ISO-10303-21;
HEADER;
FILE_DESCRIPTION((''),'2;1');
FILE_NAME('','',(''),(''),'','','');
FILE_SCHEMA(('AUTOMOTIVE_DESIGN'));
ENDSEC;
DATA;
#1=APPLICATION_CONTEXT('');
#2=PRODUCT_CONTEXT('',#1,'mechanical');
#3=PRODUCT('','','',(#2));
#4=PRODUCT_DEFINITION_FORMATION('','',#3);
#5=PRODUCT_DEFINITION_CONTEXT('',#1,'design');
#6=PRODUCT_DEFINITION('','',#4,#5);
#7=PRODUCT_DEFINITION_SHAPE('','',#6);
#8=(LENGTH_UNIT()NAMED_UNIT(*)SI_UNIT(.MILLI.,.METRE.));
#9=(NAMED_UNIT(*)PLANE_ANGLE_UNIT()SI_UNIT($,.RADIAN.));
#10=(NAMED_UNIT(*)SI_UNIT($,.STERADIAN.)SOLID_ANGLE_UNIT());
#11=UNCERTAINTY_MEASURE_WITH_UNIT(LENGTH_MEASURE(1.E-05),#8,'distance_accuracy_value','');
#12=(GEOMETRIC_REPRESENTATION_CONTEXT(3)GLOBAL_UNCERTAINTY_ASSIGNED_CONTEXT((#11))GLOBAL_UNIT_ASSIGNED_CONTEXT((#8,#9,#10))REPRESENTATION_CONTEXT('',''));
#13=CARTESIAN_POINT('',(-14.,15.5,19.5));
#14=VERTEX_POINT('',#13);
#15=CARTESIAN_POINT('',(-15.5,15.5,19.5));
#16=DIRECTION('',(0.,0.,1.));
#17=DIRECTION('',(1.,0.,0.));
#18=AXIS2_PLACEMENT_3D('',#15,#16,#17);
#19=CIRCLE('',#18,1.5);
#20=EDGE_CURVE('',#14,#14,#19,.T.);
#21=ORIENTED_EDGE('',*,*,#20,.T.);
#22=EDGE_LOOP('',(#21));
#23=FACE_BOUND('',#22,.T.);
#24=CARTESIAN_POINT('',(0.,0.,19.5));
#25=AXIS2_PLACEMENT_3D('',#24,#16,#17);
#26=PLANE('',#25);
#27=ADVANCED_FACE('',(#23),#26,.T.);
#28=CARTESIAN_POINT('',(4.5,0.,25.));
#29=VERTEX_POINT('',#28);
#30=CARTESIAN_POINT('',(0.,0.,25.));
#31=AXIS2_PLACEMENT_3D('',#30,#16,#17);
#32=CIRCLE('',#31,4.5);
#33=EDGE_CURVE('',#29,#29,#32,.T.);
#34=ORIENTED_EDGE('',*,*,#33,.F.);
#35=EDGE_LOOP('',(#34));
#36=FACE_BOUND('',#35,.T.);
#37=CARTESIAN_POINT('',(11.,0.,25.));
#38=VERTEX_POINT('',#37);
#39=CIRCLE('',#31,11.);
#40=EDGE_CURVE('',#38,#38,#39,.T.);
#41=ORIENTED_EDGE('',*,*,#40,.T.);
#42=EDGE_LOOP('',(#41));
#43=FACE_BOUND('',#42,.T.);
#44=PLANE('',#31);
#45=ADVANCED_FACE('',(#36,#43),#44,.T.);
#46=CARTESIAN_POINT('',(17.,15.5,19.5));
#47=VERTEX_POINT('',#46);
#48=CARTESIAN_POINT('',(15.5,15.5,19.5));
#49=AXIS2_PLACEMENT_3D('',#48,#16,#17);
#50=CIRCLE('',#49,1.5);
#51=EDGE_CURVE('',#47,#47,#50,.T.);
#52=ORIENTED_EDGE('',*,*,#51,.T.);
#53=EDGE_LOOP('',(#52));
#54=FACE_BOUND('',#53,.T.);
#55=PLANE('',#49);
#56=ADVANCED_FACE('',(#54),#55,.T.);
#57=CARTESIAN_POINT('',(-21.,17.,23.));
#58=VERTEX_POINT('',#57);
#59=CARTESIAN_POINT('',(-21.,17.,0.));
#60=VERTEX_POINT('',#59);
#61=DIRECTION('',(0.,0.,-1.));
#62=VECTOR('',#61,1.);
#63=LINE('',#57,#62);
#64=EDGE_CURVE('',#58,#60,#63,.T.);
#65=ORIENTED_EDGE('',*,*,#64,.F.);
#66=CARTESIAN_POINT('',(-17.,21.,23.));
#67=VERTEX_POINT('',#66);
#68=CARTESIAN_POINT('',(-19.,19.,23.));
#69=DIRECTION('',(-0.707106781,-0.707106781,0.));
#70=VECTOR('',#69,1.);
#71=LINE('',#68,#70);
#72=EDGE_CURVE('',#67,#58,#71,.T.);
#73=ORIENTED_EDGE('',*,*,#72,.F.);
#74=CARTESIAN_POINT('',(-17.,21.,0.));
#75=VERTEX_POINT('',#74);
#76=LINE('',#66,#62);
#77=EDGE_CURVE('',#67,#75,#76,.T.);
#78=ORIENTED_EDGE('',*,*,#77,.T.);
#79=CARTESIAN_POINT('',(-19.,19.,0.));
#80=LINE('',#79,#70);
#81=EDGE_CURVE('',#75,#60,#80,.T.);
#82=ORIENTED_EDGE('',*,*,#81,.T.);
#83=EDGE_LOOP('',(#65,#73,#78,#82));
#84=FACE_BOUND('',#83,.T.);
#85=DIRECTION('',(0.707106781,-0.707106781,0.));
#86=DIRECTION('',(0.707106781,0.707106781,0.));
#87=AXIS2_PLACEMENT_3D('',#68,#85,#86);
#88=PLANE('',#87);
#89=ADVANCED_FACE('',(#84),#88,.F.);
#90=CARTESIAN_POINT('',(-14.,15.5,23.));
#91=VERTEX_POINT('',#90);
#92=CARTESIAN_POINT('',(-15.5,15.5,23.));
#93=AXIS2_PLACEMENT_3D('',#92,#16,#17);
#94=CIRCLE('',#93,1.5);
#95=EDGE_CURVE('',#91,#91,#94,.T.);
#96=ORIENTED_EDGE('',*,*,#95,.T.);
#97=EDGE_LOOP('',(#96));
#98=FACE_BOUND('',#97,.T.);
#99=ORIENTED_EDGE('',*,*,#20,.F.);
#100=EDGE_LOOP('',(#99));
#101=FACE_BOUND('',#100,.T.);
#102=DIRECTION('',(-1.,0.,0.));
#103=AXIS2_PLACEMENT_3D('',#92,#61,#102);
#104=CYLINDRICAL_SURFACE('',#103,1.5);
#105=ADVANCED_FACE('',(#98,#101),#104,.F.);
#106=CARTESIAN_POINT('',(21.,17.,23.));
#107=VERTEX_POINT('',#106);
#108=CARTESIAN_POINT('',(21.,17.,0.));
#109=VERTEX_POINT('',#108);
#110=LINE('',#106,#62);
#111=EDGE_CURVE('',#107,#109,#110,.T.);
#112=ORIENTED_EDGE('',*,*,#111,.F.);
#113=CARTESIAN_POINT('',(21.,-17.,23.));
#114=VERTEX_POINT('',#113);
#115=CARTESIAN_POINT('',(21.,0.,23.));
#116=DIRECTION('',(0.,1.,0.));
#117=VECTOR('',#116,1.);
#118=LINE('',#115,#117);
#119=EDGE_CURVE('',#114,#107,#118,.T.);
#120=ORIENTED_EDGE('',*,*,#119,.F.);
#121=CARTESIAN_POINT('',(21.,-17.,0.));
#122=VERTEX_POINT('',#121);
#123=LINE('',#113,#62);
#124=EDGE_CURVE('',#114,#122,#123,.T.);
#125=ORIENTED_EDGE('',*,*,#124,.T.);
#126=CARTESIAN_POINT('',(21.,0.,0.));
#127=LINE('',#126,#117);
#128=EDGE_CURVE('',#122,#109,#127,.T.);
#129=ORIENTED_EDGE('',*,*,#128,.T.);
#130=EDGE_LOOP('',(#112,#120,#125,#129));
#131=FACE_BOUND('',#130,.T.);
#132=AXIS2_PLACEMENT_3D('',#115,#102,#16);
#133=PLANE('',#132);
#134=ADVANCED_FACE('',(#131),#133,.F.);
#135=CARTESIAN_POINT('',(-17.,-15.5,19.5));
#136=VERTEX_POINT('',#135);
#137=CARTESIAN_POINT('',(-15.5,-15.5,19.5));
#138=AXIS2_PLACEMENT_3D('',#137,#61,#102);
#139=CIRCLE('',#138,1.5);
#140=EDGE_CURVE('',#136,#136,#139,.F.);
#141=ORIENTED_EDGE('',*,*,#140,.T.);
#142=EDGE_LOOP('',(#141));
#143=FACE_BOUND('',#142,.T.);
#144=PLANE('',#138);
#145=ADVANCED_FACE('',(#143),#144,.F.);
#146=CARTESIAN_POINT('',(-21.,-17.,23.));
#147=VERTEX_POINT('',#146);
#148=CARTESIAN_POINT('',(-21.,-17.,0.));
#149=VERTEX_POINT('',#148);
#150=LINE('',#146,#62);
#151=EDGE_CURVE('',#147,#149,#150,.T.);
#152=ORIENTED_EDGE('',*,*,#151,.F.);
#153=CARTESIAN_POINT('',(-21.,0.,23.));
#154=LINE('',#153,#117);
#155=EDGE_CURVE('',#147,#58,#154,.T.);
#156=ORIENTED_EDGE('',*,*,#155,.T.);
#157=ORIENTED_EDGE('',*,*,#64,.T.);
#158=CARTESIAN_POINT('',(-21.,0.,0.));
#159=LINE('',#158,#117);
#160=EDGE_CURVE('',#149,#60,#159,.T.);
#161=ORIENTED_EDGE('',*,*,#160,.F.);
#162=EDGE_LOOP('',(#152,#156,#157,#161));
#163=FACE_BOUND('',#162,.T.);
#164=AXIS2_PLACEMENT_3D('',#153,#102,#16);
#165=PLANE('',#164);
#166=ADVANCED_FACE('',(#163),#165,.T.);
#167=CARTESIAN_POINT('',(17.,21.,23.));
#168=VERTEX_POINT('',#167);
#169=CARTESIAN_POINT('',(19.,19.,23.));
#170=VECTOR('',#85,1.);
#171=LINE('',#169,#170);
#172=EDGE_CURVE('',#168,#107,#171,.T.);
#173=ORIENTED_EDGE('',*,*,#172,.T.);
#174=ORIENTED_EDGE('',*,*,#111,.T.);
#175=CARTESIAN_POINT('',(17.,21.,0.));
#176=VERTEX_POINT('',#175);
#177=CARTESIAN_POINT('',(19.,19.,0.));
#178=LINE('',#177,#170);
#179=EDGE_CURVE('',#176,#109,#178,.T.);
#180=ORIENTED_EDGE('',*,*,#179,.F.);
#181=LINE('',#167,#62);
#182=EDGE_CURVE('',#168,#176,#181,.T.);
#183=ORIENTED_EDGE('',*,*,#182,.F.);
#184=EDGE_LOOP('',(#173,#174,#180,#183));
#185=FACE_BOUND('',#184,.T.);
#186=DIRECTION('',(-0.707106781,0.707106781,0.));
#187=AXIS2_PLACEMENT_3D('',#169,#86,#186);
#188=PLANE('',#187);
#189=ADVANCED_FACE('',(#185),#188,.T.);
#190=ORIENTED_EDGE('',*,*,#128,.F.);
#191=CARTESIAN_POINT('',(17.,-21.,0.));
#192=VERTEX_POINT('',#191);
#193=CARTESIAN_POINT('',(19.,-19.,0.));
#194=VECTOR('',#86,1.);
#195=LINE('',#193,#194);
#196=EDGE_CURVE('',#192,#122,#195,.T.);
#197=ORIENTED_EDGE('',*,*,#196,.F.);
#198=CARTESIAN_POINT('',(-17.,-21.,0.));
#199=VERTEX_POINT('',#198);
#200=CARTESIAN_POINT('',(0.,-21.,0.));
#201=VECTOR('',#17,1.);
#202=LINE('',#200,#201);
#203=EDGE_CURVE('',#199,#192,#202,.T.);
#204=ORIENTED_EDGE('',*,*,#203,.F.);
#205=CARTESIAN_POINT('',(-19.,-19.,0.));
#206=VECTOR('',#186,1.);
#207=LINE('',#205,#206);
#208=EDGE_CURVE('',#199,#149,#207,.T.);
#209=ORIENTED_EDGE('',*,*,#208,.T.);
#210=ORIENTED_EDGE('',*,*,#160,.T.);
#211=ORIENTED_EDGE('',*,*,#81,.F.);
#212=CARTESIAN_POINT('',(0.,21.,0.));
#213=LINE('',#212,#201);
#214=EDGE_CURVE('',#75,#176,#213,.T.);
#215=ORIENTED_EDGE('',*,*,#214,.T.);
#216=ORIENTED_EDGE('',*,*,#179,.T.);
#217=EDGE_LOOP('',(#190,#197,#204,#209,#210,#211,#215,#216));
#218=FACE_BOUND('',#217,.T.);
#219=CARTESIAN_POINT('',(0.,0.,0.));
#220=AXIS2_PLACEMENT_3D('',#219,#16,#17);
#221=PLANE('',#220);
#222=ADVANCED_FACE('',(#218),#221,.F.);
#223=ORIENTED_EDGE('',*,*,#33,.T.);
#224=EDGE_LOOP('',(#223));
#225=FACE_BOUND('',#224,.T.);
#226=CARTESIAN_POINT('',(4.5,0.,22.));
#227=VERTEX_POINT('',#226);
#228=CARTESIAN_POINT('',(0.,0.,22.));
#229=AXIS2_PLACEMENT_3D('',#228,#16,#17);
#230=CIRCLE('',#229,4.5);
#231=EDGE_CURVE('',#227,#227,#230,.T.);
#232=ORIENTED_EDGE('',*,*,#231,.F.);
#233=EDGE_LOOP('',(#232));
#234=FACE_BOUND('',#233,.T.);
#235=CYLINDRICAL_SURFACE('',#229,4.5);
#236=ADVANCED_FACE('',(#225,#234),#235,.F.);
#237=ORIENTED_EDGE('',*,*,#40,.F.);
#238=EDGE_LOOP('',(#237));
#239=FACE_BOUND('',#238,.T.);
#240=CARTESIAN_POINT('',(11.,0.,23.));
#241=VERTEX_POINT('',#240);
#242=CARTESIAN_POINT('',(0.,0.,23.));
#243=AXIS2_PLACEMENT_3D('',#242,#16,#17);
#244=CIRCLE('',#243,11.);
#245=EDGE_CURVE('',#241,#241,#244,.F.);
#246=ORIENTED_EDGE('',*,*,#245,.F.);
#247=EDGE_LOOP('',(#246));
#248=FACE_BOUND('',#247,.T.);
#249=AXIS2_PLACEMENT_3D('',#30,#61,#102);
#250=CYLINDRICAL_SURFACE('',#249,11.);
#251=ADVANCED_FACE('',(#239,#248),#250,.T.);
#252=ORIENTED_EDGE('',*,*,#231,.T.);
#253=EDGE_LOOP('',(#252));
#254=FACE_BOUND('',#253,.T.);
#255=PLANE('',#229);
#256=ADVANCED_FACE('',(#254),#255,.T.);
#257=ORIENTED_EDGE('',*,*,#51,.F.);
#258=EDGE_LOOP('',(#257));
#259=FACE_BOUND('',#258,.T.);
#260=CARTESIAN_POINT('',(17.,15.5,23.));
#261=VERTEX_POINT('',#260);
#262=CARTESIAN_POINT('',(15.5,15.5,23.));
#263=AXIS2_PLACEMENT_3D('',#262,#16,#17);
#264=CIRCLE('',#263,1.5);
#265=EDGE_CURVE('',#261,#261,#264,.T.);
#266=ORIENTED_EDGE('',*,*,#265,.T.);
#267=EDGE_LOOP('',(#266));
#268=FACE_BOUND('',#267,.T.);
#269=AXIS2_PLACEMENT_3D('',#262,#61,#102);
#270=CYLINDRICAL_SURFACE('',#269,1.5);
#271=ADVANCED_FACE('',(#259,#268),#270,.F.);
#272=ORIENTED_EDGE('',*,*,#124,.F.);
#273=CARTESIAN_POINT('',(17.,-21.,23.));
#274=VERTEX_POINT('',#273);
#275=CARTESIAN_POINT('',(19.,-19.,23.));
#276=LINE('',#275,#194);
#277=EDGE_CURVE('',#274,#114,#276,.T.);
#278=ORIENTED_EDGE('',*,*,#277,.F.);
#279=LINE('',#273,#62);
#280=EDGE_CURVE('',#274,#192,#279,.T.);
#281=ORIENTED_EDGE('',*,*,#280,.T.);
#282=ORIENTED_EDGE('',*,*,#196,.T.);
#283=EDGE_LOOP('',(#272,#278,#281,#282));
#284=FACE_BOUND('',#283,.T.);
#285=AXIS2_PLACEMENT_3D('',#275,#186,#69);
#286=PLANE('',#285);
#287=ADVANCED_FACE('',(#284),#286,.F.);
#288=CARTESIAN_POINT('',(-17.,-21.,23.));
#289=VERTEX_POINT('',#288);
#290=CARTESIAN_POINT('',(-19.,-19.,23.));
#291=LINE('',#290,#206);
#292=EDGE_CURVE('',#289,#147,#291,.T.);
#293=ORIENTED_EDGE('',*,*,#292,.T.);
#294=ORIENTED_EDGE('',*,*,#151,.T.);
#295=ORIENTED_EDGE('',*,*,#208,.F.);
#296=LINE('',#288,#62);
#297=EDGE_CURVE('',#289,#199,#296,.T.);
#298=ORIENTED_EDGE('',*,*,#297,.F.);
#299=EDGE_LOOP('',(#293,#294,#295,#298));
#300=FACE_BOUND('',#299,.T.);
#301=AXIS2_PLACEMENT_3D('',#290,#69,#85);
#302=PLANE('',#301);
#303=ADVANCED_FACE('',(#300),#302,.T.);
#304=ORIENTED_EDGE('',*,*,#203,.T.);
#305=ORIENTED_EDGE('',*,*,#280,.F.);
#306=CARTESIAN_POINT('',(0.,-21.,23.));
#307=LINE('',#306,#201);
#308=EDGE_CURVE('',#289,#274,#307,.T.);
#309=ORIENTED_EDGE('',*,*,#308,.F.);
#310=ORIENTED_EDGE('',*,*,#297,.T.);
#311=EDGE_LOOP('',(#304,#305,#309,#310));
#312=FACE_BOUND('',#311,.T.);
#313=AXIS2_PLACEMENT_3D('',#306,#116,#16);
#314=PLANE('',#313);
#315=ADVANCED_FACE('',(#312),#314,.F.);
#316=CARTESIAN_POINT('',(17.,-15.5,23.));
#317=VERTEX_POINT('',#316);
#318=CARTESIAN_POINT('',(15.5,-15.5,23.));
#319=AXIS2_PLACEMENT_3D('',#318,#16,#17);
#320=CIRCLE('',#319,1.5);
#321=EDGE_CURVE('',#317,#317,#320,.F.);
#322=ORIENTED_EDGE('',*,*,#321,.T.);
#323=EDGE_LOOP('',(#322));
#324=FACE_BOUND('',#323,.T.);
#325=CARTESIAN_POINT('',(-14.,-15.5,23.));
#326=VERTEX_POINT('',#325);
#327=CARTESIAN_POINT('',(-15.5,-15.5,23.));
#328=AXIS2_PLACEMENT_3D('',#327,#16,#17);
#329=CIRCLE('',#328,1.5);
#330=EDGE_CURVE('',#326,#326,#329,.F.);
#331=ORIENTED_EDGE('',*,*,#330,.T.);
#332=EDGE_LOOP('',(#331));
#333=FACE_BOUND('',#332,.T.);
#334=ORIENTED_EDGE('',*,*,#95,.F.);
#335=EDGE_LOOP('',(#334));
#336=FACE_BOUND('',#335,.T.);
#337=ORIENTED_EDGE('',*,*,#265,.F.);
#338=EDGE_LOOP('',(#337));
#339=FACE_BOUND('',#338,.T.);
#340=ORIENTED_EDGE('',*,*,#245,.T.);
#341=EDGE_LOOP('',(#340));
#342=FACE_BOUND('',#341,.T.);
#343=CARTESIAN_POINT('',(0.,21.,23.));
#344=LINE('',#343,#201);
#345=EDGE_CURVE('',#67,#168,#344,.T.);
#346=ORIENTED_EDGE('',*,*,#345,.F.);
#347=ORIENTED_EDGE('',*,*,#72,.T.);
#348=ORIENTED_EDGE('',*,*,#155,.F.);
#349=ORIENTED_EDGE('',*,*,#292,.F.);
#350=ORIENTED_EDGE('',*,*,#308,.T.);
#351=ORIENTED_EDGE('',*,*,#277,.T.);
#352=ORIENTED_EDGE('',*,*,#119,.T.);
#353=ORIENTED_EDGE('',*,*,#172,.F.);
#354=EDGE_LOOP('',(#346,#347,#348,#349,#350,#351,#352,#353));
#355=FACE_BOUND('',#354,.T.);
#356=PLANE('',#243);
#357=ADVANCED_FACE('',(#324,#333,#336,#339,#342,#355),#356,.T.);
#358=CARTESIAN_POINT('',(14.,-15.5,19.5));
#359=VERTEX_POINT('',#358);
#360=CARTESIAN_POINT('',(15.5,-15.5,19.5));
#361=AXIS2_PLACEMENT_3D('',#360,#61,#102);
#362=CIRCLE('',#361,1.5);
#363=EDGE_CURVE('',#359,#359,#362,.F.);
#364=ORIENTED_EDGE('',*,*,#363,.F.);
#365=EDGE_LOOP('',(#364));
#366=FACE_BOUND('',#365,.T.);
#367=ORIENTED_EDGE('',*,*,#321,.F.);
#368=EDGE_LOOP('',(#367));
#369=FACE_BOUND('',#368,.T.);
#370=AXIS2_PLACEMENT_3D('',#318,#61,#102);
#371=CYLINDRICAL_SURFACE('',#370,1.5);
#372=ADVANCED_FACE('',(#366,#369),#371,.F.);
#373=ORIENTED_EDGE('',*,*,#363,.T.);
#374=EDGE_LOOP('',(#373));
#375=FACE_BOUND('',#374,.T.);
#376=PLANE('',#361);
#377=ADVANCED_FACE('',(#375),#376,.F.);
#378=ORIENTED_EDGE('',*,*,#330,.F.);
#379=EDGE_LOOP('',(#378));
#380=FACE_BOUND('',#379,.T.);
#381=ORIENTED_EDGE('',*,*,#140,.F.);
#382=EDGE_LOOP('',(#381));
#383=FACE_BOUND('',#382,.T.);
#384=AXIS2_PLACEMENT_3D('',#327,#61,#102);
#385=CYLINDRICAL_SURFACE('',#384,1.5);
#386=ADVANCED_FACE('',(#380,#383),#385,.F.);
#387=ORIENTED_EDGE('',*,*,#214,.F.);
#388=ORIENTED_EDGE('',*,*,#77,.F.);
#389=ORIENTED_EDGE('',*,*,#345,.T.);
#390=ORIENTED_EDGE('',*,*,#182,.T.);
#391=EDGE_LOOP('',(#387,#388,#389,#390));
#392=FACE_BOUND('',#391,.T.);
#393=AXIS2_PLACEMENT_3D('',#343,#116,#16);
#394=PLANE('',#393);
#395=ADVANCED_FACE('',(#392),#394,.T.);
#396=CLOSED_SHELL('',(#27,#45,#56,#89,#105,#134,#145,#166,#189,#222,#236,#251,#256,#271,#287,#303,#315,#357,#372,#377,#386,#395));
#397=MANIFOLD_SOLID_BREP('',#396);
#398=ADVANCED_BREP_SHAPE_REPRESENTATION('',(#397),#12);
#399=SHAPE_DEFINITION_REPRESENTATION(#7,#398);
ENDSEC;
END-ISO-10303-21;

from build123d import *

# Parameters (mm, degrees)
SKETCH_1_R          = 1.5
EXTRUDE_1_DEPTH     = 23
SKETCH_1_3_R        = 1.5
EXTRUDE_2_DEPTH     = 19.5
SKETCH_1_6_R        = 11
EXTRUDE_4_DEPTH     = 25
SKETCH_2_R          = 4.5
CUT_EXTRUDE_1_DEPTH = 3


with BuildPart() as part:
    # 草图1 → 凸台-拉伸1 (new body)
    with BuildSketch(Plane.XY):
        Polygon((-21, -17), (-17, -21), (17, -21), (21, -17), (21, 17), (17, 21), (-17, 21), (-21, 17), align=None)
        with Locations((-15.5, -15.5)):
            Circle(SKETCH_1_R, mode=Mode.SUBTRACT)
        with Locations((15.5, -15.5)):
            Circle(SKETCH_1_R, mode=Mode.SUBTRACT)
        with Locations((-15.5, 15.5)):
            Circle(SKETCH_1_R, mode=Mode.SUBTRACT)
        with Locations((15.5, 15.5)):
            Circle(SKETCH_1_R, mode=Mode.SUBTRACT)
    extrude(amount=EXTRUDE_1_DEPTH)

    # 草图1<3> → 凸台-拉伸2 (add)
    with BuildSketch(Plane.XY):
        with Locations((-15.5, 15.5)):
            Circle(SKETCH_1_3_R)
        with Locations((15.5, 15.5)):
            Circle(SKETCH_1_3_R)
        with Locations((-15.5, -15.5)):
            Circle(SKETCH_1_3_R)
        with Locations((15.5, -15.5)):
            Circle(SKETCH_1_3_R)
    extrude(amount=EXTRUDE_2_DEPTH)

    # 草图1<6> → 凸台-拉伸4 (add)
    with BuildSketch(Plane.XY):
        Circle(SKETCH_1_6_R)
    extrude(amount=EXTRUDE_4_DEPTH)

    # 草图2 → 切除-拉伸1 (cut)
    with BuildSketch(Plane.XY.offset(25)):
        Circle(SKETCH_2_R)
    extrude(amount=-CUT_EXTRUDE_1_DEPTH, mode=Mode.SUBTRACT)


solid = part.part
